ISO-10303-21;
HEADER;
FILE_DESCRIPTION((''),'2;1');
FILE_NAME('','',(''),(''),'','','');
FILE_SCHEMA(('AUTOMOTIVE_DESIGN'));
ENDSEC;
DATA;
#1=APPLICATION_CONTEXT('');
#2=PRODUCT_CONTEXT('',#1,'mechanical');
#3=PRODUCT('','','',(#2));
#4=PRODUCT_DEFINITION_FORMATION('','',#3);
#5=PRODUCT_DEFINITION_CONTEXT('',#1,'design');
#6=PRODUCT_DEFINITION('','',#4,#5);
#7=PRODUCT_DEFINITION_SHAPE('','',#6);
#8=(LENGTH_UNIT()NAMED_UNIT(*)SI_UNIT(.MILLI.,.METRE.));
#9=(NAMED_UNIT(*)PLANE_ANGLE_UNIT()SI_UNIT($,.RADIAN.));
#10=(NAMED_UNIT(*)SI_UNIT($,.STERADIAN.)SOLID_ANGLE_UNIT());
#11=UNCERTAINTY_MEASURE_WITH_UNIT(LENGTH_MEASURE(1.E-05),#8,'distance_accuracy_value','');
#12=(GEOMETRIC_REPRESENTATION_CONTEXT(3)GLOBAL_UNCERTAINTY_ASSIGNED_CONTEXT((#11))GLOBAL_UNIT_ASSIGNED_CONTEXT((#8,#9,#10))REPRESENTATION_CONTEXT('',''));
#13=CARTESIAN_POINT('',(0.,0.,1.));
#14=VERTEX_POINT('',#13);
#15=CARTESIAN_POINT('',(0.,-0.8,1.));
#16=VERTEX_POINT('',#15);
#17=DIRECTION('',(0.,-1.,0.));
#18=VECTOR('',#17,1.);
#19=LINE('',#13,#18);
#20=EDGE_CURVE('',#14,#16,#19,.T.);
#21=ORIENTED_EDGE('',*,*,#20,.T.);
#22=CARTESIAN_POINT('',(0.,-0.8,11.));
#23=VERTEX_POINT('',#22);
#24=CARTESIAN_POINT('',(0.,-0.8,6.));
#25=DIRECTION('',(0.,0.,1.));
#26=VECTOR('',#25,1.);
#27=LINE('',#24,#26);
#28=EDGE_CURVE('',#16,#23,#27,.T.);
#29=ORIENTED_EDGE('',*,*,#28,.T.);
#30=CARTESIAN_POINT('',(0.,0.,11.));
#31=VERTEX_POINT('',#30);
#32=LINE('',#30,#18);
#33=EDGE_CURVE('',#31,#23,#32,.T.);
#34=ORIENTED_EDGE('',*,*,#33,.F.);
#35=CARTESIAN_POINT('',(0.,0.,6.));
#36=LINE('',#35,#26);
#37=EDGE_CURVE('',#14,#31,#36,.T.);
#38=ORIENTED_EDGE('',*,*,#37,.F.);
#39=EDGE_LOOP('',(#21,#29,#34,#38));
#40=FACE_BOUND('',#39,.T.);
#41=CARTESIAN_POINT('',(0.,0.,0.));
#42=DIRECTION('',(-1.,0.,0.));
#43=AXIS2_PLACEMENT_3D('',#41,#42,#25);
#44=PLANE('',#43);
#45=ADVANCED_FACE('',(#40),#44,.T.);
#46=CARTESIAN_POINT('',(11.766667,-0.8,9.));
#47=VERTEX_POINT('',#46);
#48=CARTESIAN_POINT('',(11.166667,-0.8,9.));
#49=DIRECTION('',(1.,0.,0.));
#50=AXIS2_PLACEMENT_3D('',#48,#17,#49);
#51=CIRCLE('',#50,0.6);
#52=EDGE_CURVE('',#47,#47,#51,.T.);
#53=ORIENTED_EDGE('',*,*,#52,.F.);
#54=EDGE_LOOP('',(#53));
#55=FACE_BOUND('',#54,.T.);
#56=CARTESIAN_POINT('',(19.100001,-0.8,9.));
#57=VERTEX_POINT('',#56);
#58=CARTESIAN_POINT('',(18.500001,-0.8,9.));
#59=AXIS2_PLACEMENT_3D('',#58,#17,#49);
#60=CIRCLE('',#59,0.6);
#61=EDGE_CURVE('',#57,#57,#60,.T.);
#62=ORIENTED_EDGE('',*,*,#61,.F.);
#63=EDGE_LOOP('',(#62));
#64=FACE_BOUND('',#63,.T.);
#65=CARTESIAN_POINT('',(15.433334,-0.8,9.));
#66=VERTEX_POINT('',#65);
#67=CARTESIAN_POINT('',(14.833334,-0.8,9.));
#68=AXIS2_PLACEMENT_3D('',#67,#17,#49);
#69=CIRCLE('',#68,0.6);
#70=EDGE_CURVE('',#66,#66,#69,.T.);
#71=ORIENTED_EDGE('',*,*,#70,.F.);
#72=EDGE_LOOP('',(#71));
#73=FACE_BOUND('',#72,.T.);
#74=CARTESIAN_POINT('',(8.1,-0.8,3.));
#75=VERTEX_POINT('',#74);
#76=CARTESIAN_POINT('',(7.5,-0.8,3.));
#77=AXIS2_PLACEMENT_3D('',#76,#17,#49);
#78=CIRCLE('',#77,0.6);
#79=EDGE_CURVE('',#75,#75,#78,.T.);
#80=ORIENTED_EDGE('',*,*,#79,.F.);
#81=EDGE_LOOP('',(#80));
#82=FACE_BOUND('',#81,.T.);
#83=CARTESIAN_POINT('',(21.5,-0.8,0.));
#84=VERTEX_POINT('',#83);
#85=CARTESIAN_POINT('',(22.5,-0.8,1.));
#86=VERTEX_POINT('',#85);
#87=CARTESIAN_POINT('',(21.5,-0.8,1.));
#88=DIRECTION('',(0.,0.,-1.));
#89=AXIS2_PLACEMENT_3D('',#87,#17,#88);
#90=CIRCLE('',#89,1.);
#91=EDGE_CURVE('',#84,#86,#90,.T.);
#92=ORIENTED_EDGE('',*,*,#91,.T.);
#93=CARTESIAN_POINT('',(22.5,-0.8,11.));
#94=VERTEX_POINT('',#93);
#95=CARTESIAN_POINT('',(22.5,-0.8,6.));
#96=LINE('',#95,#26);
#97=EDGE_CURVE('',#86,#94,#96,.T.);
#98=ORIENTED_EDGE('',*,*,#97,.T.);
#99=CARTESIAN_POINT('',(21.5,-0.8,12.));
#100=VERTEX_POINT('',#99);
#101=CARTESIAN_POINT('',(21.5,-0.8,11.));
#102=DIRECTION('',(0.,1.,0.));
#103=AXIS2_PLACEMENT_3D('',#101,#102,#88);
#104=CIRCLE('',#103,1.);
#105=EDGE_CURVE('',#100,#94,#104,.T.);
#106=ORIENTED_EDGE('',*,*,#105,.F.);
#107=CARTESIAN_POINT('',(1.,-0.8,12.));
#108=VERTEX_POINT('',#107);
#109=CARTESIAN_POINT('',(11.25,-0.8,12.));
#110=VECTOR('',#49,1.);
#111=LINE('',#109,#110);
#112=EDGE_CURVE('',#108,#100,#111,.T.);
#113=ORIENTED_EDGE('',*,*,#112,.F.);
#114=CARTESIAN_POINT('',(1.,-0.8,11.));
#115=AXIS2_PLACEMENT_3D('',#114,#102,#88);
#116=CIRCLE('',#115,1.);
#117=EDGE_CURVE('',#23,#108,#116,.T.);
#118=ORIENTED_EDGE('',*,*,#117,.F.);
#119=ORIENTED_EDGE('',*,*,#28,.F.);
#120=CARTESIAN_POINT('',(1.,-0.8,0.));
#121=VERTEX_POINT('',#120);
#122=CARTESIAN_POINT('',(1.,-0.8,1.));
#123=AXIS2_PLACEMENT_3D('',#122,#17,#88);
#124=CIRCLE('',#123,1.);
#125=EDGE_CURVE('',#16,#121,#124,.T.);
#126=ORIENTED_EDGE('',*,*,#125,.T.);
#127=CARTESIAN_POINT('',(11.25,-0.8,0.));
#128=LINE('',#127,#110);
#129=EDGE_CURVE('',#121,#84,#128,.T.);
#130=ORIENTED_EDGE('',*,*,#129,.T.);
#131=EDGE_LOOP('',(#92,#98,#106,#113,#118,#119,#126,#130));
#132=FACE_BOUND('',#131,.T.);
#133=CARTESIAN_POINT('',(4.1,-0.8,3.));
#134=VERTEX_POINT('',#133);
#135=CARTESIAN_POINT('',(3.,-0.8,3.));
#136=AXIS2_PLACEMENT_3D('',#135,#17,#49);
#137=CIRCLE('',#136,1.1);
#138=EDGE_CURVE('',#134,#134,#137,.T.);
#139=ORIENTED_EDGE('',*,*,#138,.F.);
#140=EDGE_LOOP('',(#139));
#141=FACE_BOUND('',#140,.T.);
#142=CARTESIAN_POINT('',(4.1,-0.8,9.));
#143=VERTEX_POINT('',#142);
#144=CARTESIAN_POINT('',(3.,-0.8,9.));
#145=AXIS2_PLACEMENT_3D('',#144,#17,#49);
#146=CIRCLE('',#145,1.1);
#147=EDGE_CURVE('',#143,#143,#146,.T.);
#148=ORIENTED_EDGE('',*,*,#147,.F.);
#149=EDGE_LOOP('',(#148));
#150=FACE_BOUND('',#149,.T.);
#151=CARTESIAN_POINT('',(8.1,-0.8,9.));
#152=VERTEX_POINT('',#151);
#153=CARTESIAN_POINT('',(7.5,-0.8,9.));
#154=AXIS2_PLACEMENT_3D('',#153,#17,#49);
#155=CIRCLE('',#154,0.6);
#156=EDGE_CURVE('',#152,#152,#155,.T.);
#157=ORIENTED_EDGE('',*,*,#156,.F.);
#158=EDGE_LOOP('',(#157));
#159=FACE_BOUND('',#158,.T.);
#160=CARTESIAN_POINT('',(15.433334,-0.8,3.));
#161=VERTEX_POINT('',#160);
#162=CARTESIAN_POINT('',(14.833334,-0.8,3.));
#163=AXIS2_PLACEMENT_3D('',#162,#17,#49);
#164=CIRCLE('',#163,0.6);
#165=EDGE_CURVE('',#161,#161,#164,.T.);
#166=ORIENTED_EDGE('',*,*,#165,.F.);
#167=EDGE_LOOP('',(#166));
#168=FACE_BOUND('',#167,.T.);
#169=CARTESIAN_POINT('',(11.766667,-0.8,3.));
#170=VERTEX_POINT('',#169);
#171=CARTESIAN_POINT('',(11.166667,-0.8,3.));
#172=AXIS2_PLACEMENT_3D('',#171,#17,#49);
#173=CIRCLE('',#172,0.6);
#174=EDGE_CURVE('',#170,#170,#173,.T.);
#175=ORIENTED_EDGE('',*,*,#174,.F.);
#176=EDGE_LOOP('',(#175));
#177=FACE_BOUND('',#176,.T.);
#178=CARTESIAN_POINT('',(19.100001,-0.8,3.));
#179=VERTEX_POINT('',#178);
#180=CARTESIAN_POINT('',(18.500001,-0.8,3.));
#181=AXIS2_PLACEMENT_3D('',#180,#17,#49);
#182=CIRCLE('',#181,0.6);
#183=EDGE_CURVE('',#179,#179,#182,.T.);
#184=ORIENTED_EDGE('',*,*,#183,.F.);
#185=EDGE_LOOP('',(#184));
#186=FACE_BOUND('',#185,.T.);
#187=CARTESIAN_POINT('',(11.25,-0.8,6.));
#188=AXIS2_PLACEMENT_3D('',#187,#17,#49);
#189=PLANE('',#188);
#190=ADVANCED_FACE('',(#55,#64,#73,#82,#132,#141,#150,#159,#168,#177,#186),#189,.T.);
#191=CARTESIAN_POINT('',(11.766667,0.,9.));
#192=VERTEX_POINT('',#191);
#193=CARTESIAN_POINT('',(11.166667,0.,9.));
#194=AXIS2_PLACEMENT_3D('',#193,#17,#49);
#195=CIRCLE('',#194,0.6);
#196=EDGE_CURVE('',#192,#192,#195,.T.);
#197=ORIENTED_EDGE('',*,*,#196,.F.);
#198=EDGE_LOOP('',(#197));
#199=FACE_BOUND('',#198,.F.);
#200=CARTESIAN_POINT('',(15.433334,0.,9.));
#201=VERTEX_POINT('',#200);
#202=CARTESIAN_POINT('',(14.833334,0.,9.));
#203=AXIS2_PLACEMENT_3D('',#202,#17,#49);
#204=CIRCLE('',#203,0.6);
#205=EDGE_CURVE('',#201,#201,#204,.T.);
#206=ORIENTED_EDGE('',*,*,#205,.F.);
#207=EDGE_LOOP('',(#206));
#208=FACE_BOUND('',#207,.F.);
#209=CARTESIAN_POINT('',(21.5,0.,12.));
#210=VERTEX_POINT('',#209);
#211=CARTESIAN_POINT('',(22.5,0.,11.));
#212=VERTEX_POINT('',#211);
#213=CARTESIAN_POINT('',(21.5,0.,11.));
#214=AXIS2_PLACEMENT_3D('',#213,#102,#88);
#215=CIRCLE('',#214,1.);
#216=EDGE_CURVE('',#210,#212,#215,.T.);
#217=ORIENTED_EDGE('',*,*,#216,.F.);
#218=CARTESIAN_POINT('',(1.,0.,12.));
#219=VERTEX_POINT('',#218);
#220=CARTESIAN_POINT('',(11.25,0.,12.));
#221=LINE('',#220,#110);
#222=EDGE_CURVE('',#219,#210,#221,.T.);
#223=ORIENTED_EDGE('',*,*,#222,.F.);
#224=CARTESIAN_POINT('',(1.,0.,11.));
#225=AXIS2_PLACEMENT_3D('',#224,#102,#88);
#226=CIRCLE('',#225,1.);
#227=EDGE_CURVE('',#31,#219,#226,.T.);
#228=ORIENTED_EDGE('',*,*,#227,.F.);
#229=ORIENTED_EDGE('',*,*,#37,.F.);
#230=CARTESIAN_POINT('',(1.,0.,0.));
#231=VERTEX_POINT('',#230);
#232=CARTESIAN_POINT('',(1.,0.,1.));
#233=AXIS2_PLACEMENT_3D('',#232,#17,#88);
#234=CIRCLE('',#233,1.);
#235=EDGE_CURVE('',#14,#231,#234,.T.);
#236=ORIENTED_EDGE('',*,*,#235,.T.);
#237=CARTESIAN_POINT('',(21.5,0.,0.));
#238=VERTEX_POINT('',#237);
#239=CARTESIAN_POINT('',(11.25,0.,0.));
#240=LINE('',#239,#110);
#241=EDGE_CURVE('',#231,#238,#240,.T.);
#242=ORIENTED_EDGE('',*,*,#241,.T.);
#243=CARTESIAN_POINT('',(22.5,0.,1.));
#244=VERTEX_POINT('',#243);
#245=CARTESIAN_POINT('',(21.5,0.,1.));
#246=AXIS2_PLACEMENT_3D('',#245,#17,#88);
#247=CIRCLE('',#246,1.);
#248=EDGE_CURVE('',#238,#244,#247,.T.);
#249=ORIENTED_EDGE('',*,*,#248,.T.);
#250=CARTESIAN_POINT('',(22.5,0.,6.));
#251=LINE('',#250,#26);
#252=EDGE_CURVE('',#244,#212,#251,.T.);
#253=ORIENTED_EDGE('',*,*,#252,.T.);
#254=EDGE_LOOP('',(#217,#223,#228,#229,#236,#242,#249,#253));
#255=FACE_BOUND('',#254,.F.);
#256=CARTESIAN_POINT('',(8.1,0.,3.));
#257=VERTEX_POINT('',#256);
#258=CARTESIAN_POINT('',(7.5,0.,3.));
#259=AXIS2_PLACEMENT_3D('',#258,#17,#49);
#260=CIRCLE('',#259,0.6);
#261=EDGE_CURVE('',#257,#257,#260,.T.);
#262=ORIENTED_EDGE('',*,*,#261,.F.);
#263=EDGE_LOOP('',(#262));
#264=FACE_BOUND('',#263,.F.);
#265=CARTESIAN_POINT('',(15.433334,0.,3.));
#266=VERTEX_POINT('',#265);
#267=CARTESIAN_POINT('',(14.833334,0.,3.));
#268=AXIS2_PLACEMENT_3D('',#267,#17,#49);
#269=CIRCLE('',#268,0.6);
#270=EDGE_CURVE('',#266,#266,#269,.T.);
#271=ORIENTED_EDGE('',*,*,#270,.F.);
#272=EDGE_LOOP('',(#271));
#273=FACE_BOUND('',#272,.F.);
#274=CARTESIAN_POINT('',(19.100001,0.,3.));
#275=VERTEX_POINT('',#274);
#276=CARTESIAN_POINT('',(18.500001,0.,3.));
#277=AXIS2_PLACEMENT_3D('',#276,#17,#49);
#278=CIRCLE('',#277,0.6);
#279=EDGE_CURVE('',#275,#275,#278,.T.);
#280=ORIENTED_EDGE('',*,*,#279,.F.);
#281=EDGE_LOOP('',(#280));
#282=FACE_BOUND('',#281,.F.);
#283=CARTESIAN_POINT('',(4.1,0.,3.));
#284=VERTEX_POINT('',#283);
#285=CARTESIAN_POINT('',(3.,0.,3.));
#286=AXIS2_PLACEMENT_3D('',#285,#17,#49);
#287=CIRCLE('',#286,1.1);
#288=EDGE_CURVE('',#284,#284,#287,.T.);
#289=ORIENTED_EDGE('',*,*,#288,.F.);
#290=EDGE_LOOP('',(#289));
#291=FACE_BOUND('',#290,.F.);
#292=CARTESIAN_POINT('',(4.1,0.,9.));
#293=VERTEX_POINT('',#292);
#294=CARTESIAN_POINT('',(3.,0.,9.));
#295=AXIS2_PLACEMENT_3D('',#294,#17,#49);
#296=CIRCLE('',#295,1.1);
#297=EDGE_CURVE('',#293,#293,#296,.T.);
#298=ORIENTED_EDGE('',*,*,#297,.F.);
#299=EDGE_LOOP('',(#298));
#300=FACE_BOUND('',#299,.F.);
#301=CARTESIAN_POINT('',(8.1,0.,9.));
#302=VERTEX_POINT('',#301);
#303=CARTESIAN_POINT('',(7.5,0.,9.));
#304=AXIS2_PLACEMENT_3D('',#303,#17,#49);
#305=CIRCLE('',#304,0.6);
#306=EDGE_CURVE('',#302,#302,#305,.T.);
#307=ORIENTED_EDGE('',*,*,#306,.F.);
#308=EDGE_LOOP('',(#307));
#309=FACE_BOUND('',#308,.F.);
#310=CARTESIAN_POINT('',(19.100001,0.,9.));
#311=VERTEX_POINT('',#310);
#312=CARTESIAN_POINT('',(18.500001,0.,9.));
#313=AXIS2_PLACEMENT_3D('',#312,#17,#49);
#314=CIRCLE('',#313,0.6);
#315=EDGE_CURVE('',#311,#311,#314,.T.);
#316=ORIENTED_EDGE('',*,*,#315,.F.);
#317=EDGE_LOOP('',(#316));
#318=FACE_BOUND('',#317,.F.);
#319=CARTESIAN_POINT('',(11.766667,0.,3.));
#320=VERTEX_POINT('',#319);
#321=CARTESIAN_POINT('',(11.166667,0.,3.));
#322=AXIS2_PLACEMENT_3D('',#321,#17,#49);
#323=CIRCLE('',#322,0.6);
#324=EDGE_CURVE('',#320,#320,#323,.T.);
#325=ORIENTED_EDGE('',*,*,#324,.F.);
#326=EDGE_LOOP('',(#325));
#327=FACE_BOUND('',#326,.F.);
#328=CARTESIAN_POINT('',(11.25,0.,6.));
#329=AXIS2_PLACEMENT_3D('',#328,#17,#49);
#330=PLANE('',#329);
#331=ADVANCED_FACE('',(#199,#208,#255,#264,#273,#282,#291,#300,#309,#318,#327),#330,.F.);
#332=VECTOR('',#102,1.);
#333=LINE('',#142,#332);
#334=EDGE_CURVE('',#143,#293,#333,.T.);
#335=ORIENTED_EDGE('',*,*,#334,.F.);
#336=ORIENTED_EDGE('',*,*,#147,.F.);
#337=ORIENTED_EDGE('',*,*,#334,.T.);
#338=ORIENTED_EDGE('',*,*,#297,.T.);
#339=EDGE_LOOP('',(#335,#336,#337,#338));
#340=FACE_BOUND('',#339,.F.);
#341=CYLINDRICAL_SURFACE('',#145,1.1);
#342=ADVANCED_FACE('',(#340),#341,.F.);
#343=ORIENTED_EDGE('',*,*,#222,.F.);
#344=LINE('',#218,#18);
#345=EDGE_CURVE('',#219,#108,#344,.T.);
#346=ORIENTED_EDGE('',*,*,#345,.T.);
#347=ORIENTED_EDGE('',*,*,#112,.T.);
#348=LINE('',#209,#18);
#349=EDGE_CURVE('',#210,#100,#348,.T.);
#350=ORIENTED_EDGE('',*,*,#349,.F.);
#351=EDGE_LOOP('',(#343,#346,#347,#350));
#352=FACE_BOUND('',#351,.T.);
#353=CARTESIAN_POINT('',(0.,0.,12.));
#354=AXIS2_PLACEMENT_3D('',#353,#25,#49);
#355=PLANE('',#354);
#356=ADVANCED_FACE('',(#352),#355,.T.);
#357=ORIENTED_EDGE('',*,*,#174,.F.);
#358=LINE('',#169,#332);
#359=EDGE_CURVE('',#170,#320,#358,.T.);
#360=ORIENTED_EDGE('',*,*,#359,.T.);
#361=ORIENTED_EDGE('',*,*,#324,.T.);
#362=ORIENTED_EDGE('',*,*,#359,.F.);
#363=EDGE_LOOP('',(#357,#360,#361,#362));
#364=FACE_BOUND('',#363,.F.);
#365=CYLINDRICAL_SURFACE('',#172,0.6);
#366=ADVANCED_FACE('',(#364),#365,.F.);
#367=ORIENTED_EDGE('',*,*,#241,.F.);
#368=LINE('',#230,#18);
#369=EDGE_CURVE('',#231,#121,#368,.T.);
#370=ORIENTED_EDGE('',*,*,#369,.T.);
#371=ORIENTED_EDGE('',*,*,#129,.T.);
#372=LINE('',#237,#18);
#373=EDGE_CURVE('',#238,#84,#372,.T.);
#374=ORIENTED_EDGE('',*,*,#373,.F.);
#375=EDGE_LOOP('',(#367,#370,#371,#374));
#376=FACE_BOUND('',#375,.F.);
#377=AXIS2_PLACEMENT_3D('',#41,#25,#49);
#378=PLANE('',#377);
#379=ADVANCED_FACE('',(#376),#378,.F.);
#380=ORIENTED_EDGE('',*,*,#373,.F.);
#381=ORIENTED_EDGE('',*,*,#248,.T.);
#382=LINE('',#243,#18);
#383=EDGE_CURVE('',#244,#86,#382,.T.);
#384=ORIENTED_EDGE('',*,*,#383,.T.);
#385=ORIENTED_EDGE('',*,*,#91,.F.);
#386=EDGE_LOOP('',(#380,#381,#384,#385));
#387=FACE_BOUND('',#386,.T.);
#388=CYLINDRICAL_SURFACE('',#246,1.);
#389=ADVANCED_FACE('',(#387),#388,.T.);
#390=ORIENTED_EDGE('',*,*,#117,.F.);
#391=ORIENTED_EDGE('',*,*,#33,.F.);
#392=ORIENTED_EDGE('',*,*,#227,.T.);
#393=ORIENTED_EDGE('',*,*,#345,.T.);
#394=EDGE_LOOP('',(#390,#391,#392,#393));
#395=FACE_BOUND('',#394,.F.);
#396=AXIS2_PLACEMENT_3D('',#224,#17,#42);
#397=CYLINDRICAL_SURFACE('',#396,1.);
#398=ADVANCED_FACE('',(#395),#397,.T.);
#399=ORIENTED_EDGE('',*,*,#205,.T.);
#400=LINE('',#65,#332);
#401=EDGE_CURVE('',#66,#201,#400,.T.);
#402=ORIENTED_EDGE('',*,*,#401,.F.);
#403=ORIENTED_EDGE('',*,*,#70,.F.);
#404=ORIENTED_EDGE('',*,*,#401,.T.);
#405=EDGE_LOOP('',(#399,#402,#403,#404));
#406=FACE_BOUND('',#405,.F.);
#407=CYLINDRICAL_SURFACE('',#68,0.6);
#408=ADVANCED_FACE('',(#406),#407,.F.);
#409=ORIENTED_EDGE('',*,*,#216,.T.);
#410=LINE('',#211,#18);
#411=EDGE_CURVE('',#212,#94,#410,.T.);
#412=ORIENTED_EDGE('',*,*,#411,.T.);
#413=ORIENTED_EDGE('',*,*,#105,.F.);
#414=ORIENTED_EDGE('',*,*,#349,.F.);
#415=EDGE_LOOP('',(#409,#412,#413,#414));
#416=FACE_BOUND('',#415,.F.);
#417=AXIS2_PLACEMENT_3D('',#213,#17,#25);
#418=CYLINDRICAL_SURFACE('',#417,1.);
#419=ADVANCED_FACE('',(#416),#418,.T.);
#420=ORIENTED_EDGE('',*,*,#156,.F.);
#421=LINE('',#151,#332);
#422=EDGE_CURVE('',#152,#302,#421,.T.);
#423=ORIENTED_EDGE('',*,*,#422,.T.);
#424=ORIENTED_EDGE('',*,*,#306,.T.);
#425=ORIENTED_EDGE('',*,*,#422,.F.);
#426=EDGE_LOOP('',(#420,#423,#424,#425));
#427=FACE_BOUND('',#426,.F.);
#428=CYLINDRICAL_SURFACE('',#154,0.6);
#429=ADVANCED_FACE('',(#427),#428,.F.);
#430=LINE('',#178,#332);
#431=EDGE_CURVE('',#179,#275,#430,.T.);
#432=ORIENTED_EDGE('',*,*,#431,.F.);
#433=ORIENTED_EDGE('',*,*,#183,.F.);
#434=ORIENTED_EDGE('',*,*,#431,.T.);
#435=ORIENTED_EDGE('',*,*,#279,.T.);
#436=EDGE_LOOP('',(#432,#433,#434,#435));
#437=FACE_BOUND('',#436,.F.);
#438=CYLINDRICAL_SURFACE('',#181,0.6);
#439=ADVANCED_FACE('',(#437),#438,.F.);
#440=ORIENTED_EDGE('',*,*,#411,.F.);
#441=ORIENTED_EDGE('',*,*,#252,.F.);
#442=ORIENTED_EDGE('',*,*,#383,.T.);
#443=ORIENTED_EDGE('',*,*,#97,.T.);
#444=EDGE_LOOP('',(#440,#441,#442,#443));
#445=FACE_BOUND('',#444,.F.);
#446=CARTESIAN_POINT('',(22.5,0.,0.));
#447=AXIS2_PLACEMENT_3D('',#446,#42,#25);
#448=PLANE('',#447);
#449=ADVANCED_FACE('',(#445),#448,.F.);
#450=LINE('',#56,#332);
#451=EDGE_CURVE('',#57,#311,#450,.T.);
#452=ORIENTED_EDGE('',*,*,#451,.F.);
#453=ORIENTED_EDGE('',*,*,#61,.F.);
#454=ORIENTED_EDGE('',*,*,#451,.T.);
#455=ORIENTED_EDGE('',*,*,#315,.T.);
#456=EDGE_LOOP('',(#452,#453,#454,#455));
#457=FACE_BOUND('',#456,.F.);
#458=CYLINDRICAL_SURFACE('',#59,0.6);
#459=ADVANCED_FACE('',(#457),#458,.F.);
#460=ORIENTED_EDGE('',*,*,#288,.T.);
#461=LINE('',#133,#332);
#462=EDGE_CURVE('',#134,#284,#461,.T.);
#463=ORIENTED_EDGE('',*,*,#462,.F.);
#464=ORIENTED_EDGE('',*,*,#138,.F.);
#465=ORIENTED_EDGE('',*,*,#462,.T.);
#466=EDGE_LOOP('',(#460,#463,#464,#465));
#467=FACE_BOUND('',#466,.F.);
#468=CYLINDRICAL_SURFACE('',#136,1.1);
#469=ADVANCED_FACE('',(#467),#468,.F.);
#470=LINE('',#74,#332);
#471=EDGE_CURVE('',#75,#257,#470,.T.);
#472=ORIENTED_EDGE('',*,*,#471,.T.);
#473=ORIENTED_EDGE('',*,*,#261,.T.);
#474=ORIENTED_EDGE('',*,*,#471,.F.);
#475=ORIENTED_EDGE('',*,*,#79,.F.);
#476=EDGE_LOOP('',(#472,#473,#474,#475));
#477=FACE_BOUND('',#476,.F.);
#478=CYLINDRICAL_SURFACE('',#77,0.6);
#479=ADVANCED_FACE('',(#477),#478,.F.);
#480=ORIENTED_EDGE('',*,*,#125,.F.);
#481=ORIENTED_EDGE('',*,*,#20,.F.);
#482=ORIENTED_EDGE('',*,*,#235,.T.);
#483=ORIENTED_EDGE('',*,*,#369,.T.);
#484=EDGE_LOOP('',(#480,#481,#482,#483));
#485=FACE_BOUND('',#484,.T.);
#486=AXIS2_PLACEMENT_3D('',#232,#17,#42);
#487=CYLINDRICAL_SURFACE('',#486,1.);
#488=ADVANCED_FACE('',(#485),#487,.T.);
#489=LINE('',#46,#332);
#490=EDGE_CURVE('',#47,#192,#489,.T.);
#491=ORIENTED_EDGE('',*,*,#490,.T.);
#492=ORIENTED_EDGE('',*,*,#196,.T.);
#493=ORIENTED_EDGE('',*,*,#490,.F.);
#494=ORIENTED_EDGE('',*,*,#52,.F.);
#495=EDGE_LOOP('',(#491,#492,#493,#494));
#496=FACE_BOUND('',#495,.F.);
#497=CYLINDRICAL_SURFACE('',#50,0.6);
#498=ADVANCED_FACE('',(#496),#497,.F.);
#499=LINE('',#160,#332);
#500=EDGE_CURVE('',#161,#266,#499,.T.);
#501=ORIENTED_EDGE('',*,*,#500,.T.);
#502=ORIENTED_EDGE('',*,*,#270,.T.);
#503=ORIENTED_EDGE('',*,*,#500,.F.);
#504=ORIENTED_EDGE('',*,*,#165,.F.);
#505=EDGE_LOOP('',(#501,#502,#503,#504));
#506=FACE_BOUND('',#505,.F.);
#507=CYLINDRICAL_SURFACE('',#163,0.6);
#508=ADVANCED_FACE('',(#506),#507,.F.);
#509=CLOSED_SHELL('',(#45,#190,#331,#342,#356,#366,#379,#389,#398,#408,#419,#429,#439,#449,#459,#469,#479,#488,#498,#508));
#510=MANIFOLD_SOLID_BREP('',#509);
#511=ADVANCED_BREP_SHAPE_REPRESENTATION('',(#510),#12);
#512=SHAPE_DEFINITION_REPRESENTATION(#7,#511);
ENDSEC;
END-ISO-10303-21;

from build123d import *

# Parameters (mm, degrees)
SKETCH_W            = 22.5
SKETCH_H            = 12
PAD_DEPTH           = 0.8
SKETCH001_R         = 1.1
POCKET_DEPTH        = 5
FILLET_R            = 1
SKETCH002_R         = 0.6
POCKET001_DEPTH     = 5
LINEARPATTERN_COUNT = 4
LINEARPATTERN_PITCH = 3.666667


with BuildPart() as part:
    # Sketch → Pad (new body)
    with BuildSketch(Plane.XZ):
        with Locations((11.25, 6)):
            Rectangle(SKETCH_W, SKETCH_H)
    extrude(amount=PAD_DEPTH)

    # Sketch001 (on Face6 of Pad) → Pocket (cut)
    with BuildSketch(Plane.XZ.offset(0.8)):
        with Locations((3, 9)):
            Circle(SKETCH001_R)
        with Locations((3, 3)):
            Circle(SKETCH001_R)
    extrude(amount=-POCKET_DEPTH, mode=Mode.SUBTRACT)

    # Fillet
    fillet_edges = [part.edges().sort_by_distance(p)[0] for p in [
        (0, -0.4, 12),
        (22.5, -0.4, 12),
        (22.5, -0.4, 0),
        (0, -0.4, 0),
    ]]
    fillet(fillet_edges, radius=FILLET_R)

    # Sketch002 (on Face5 of Fillet) → Pocket001 (cut)
    with BuildSketch(Plane.XZ.offset(0.8)):
        with Locations((7.5, 9)):
            Circle(SKETCH002_R)
        with Locations((7.5, 3)):
            Circle(SKETCH002_R)
    pocket001 = extrude(amount=-POCKET001_DEPTH, mode=Mode.SUBTRACT)

    # LinearPattern: Pocket001 ×4
    with Locations(*[(i * LINEARPATTERN_PITCH, 0, 0) for i in range(1, LINEARPATTERN_COUNT)]):
        add(pocket001, mode=Mode.SUBTRACT)


solid = part.part
